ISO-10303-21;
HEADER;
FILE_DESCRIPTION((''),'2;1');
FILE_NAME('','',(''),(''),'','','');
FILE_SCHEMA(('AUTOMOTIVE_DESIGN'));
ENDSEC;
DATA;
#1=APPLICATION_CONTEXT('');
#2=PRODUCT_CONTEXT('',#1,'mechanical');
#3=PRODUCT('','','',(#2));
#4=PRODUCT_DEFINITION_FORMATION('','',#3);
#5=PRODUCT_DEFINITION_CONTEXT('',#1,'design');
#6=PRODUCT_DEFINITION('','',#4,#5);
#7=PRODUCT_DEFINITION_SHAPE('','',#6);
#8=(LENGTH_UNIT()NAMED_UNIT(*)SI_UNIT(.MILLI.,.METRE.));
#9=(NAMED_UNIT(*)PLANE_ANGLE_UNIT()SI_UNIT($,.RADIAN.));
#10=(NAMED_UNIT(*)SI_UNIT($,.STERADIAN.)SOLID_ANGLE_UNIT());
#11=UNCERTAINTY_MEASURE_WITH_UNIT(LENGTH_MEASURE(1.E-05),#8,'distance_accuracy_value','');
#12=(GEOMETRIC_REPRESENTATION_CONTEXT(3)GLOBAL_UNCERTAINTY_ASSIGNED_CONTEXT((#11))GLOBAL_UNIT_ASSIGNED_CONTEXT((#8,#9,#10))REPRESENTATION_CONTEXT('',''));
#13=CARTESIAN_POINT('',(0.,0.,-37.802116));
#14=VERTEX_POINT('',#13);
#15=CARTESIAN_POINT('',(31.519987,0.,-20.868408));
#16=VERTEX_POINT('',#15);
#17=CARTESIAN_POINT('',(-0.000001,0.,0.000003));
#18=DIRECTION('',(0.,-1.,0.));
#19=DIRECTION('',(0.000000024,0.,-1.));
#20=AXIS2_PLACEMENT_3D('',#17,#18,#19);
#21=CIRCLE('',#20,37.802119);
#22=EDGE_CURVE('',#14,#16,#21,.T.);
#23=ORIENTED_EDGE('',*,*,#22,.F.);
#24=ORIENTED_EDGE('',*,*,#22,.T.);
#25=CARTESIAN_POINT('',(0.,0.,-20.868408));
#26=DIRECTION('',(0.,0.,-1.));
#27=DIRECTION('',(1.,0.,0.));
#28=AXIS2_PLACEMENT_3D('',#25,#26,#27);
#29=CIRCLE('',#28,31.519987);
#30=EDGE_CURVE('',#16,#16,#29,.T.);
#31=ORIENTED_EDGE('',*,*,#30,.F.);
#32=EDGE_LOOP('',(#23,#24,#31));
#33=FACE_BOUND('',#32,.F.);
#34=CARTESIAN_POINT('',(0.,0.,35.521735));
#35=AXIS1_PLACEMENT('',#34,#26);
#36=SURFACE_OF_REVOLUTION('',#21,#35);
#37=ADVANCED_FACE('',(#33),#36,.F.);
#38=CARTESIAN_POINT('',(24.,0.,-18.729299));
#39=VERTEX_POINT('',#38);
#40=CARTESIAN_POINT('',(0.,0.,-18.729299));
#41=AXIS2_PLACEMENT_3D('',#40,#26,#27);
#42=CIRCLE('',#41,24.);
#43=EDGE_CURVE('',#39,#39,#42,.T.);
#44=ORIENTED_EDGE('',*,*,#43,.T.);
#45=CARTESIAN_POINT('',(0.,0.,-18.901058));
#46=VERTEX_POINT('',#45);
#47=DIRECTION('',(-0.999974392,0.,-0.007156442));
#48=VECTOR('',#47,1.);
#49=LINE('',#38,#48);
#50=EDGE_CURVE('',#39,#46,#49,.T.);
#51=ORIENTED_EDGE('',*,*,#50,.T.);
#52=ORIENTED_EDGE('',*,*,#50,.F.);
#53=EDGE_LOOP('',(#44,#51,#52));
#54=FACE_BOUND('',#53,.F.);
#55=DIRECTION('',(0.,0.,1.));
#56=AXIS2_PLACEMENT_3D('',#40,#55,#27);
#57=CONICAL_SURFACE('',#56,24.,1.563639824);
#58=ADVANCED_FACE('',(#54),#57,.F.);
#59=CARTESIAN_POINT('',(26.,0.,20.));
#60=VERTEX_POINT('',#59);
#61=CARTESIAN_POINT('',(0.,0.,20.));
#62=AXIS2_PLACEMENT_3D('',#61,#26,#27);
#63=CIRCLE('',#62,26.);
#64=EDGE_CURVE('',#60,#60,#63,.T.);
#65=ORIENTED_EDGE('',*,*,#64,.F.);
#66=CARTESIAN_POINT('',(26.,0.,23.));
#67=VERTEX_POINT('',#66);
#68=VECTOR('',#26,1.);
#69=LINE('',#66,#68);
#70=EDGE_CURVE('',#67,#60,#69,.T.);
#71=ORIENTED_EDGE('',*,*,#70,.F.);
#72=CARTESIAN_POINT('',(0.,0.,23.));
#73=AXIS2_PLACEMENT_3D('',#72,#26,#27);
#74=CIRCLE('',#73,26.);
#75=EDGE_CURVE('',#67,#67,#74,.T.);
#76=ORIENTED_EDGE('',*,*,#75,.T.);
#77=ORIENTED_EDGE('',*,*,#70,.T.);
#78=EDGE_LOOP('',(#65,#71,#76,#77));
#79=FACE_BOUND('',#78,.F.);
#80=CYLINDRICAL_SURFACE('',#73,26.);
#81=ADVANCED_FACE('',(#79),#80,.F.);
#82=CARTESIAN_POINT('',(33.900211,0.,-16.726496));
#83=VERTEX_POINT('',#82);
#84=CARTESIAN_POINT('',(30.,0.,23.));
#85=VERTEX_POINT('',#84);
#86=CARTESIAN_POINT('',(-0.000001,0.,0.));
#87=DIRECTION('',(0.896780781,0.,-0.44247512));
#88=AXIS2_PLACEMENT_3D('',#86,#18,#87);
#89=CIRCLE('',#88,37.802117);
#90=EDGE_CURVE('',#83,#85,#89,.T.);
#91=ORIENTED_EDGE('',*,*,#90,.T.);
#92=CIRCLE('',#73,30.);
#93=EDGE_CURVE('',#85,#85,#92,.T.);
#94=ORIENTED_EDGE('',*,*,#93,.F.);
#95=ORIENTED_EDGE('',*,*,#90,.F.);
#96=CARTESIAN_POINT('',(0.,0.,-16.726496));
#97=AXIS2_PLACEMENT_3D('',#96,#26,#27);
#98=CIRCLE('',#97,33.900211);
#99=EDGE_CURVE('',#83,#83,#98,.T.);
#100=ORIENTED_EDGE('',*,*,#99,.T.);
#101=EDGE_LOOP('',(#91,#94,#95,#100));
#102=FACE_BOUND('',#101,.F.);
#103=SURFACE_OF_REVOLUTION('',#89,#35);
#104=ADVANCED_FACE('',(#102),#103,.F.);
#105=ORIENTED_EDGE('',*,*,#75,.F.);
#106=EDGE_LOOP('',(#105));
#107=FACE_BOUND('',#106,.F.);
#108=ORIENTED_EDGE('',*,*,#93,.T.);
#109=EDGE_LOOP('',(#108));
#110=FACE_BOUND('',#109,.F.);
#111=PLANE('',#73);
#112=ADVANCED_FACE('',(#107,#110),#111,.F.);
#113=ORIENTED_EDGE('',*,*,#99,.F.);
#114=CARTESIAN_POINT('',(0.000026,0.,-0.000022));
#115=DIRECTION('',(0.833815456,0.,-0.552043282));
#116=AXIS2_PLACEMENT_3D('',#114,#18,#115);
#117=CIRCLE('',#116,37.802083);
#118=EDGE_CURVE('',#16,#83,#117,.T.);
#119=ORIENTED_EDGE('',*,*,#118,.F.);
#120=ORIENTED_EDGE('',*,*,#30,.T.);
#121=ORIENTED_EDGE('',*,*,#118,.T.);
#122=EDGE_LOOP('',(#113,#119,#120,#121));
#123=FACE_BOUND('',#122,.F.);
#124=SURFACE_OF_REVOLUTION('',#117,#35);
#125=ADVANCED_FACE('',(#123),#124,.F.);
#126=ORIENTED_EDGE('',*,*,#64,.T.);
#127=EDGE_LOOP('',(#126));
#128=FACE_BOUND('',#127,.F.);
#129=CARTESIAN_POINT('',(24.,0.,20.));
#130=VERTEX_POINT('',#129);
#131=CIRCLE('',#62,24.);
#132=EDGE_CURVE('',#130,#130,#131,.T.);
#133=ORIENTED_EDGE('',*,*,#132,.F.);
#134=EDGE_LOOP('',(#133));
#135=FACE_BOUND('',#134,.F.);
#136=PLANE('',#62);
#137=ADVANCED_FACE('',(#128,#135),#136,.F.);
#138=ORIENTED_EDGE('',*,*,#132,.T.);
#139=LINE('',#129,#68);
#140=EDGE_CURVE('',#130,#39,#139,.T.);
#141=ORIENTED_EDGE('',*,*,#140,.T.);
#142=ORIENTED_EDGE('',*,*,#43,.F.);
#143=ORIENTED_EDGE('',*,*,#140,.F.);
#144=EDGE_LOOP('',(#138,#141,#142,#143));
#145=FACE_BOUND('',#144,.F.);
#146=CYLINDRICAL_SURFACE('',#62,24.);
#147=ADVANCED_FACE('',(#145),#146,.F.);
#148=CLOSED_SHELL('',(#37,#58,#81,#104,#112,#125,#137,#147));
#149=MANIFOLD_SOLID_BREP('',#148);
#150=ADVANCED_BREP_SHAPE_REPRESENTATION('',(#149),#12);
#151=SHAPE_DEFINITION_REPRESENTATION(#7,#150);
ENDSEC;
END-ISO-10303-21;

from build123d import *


with BuildPart() as f1:
    # F0 (on Front) → F1 (revolve)
    with BuildSketch(Plane.XZ):
        with BuildLine():
            Line((30, 23), (26, 23))
            Line((26, 23), (26, 20))
            Line((26, 20), (24, 20))
            Line((24, 20), (24, -11.03716))
            Line((24, -11.03716), (24, -16.546911))
            Line((24, -16.546911), (24, -18.729299))
            Line((24, -18.729299), (0, -18.901058))
            Line((0, -18.901058), (0, -37.802116))
            ThreePointArc((0, -37.802116), (17.890361, -33.300675), (31.519987, -20.868408))
            ThreePointArc((31.519987, -20.868408), (32.775592, -18.835089), (33.900211, -16.726496))
            ThreePointArc((33.900211, -16.726496), (37.621242, 3.693525), (30, 23))
        make_face()
    revolve(axis=Axis((0, 0, 35.521735), (0, 0, -1)))


solid = f1.part
